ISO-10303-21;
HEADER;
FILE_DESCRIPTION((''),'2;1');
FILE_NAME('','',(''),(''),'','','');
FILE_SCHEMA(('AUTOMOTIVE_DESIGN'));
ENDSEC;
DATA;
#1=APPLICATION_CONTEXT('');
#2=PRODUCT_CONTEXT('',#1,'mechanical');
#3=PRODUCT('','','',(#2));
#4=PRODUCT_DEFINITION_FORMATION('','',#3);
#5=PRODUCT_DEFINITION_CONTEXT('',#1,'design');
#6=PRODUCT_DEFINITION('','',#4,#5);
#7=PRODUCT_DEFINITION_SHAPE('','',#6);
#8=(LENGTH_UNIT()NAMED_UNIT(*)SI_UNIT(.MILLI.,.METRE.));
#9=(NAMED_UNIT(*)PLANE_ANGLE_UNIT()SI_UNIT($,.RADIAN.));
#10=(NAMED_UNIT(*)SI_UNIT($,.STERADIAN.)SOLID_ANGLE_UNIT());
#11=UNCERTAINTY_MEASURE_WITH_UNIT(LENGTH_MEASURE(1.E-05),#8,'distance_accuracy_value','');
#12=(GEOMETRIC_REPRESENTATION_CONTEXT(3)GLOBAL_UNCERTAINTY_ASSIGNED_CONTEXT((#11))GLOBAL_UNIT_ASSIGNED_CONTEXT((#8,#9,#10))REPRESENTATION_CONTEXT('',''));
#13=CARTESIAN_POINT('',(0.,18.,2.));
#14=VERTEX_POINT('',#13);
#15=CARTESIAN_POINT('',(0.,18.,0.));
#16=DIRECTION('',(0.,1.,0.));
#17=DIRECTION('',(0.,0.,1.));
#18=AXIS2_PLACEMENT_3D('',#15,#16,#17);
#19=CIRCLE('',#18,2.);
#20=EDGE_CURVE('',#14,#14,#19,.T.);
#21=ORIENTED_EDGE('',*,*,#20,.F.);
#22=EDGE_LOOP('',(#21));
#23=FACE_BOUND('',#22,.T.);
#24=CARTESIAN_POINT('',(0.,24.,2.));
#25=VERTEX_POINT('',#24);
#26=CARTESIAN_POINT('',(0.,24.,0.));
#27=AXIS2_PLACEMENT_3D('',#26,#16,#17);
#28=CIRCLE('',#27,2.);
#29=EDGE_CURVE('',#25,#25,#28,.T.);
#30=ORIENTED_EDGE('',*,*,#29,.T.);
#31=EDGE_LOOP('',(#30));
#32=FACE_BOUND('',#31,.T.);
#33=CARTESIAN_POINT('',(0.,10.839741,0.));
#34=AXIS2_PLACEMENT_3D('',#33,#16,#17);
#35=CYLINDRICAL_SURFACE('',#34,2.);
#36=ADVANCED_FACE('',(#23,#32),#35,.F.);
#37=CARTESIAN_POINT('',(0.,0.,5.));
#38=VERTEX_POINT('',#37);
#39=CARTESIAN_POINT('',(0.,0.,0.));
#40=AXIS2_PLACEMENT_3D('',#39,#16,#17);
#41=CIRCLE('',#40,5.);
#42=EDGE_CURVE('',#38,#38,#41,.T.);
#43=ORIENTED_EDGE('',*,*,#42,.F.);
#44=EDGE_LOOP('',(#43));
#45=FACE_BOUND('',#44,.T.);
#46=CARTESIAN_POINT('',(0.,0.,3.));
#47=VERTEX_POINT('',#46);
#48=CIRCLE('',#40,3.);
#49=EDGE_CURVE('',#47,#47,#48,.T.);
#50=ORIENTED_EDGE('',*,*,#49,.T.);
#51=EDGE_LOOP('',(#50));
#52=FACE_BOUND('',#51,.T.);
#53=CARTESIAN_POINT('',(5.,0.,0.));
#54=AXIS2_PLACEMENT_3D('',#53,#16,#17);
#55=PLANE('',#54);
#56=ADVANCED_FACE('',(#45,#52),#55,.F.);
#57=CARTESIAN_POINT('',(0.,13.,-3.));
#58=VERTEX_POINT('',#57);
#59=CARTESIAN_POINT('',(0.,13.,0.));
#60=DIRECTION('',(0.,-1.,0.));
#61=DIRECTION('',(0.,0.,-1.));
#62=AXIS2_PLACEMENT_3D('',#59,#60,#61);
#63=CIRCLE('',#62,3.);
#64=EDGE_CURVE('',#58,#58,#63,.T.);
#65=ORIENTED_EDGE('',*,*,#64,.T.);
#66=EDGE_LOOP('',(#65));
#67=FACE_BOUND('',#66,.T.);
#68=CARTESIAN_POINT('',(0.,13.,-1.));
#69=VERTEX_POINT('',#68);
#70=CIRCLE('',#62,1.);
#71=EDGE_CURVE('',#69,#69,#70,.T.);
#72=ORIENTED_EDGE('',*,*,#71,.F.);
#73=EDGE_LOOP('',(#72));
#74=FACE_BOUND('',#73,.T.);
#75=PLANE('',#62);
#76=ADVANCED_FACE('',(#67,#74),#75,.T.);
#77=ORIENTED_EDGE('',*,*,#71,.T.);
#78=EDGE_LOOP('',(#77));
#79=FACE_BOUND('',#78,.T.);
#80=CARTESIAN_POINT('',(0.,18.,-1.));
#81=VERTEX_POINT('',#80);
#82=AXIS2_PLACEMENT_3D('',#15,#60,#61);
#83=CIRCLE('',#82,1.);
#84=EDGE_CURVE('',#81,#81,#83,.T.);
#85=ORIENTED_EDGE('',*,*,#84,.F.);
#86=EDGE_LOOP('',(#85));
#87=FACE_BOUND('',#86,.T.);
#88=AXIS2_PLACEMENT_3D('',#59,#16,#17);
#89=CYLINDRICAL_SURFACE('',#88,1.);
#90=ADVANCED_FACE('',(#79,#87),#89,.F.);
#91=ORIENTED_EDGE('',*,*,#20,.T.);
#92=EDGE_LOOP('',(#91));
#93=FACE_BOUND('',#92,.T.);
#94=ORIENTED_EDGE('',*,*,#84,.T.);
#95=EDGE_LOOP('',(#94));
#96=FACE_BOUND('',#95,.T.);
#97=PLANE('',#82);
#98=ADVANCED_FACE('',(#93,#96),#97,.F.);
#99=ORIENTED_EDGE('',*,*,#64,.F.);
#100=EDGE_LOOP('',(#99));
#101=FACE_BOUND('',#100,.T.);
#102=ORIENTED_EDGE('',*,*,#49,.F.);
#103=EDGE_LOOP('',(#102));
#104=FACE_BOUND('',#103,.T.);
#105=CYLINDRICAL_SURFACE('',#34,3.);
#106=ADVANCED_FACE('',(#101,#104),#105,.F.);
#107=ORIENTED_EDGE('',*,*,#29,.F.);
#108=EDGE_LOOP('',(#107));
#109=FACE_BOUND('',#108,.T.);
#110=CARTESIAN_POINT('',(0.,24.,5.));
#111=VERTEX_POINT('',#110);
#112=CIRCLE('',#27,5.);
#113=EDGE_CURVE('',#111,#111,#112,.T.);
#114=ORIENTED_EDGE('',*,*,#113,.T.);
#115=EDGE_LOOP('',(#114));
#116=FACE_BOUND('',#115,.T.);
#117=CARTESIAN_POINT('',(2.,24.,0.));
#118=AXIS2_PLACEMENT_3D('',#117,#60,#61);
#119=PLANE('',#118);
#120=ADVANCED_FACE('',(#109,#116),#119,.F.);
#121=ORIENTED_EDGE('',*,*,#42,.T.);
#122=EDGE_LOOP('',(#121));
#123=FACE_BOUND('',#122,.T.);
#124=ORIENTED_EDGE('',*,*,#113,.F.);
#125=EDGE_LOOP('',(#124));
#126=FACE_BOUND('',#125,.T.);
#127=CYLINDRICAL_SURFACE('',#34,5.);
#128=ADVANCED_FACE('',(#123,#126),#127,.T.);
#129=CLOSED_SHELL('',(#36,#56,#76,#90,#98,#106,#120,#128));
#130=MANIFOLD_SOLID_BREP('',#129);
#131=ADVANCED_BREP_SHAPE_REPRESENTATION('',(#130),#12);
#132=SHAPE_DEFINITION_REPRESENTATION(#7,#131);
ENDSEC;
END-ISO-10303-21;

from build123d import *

# Parameters (mm, degrees)
SKETCH3_R           = 3
SKETCH3_R_2         = 1
BOSS_EXTRUDE1_DEPTH = 5


with BuildPart() as part:
    # Sketch2 → Revolve1 (revolve)
    with BuildSketch(Plane.XY, mode=Mode.PRIVATE) as revolve1_sk:
        Polygon((3, 0), (3, 18), (2, 18), (2, 24), (5, 24), (5, 0), align=None)
    revolve(revolve1_sk.sketch.rotate(Axis((0, 10.839741494, 0), (0, -1, 0)), 90), axis=Axis((0, 10.839741494, 0), (0, -1, 0)))

    # Sketch3 → Boss-Extrude1 (add)
    with BuildSketch(Plane.XZ.offset(-18)):
        with Locations(Location((0, 0, 0), (0, 0, 90))):
            Circle(SKETCH3_R)
        with Locations(Location((0, 0, 0), (0, 0, 270))):
            Circle(SKETCH3_R_2, mode=Mode.SUBTRACT)
    extrude(amount=BOSS_EXTRUDE1_DEPTH)


solid = part.part
